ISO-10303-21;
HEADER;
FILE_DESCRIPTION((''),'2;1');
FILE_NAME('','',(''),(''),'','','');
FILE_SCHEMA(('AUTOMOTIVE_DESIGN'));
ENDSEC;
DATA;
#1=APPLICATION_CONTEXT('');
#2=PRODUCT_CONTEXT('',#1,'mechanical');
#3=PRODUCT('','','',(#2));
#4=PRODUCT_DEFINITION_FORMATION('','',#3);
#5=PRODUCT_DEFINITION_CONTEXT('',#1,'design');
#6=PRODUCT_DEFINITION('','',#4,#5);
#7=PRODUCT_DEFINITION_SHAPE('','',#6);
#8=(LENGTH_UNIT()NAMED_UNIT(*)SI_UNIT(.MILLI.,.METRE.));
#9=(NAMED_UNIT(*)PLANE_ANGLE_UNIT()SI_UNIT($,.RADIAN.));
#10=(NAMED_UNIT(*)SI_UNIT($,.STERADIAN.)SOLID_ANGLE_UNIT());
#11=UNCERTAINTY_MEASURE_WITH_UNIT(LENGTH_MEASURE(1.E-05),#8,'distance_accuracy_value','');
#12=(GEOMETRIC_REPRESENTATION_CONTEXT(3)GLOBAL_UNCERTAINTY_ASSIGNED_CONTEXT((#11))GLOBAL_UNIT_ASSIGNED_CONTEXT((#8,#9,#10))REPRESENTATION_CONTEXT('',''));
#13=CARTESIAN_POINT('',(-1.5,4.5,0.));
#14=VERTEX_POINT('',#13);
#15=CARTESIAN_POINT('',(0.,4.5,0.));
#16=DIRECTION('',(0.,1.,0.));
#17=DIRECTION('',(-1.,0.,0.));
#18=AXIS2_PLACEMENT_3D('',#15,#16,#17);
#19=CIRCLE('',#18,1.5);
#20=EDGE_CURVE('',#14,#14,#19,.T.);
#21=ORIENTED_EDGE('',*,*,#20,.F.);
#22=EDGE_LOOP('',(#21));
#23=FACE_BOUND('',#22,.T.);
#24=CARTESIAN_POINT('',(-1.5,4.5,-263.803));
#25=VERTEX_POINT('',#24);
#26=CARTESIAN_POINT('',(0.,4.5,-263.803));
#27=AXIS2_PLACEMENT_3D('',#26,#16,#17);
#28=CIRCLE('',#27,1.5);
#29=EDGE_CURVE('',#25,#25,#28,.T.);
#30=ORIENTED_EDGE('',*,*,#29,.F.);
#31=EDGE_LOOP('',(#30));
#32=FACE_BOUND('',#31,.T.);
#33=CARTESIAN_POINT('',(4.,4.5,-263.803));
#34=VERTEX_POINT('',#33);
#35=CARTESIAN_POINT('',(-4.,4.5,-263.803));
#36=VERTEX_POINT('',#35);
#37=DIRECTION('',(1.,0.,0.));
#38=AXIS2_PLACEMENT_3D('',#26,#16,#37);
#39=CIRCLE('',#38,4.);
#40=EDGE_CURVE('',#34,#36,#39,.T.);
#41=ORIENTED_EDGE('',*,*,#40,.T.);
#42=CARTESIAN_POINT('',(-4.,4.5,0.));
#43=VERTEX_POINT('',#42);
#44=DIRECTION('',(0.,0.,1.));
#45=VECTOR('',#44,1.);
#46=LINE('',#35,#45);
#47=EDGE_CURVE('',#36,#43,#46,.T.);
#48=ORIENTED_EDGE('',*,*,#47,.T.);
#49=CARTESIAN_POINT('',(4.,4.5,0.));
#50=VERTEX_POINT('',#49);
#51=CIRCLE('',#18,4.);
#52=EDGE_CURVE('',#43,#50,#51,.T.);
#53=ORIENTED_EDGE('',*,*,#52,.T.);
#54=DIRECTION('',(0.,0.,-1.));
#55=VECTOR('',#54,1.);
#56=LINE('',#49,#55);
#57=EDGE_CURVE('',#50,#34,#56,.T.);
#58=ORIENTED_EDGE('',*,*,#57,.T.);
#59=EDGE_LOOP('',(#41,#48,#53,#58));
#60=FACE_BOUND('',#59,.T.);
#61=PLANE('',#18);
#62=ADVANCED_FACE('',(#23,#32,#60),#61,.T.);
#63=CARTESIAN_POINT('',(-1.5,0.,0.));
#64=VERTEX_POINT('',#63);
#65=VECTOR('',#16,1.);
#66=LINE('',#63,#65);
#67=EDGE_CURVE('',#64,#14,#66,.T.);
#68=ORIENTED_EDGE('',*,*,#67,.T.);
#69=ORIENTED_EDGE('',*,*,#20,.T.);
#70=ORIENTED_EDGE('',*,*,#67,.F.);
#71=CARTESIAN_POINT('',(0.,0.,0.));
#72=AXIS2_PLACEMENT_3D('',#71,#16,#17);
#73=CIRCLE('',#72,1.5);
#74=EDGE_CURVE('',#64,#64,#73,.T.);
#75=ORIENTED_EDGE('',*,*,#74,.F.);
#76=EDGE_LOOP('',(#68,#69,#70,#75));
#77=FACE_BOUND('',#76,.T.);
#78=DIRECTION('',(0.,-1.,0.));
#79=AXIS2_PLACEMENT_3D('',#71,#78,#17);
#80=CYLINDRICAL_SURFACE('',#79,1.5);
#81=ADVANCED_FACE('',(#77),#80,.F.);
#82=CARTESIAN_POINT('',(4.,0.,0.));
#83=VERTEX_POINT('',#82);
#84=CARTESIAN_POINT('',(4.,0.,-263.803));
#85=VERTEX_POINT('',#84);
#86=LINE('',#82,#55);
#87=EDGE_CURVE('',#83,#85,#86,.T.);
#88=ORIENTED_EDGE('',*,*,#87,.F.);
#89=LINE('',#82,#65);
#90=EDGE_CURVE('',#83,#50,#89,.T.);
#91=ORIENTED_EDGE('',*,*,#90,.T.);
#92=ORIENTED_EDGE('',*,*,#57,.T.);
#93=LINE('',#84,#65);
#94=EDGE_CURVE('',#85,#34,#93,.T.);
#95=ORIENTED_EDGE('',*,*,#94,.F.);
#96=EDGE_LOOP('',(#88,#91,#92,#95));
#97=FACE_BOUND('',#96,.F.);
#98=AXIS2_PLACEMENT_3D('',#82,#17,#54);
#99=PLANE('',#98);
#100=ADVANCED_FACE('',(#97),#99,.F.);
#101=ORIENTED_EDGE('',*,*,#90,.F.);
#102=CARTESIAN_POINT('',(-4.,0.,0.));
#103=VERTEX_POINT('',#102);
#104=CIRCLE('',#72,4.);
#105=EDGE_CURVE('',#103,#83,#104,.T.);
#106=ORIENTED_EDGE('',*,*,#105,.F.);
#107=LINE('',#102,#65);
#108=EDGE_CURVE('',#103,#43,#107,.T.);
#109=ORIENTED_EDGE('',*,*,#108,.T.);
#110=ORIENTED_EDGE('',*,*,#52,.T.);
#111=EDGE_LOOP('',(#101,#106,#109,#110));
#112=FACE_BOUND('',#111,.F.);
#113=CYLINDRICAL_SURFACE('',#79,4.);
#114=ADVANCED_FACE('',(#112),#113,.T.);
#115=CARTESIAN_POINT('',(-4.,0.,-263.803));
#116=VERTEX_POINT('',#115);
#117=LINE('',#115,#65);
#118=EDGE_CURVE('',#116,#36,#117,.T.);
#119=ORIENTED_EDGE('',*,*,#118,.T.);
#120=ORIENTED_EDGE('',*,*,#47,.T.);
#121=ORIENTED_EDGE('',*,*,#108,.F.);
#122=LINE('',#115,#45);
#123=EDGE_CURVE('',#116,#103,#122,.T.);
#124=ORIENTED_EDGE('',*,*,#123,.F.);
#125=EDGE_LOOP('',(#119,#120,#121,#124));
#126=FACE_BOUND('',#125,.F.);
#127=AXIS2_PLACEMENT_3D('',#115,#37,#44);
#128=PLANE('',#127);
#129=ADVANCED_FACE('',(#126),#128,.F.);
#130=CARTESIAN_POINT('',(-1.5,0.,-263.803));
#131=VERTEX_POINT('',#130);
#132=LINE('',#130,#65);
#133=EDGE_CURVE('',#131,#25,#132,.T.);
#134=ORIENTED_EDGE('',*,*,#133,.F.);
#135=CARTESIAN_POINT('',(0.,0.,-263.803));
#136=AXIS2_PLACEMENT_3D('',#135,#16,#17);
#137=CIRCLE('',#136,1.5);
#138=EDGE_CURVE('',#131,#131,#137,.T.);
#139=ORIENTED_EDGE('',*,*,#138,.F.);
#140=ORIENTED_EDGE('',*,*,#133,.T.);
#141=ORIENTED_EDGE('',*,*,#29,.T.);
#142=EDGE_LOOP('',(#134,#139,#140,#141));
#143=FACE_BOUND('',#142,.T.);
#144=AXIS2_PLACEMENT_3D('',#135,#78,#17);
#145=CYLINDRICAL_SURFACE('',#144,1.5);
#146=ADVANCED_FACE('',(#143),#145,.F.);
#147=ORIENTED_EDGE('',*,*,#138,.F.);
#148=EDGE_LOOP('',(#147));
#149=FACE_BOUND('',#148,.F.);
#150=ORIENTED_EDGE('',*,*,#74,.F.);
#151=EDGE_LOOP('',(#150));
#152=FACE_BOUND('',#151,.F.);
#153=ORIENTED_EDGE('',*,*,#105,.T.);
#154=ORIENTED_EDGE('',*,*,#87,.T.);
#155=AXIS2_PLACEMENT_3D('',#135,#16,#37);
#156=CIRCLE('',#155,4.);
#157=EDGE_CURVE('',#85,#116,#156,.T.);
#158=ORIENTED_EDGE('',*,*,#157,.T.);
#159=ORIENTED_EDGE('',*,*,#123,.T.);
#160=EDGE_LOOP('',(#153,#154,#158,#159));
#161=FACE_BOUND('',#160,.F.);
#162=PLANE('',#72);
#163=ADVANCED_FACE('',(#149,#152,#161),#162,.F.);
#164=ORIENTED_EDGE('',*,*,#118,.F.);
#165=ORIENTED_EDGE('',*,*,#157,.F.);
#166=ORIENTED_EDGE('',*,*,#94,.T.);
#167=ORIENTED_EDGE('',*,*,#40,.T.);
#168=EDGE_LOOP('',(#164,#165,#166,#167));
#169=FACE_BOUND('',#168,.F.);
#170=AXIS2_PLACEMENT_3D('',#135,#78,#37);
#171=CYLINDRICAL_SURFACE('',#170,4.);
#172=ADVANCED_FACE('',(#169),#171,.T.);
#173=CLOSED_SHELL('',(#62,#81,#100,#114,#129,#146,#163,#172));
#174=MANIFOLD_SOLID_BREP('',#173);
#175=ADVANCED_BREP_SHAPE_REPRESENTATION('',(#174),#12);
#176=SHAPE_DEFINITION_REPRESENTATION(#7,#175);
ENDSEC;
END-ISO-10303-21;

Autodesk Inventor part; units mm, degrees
ref_plane "YZ Plane" through (0, 0, 0) normal (1, 0, 0) x (0, 1, 0)
ref_plane "XZ Plane" through (0, 0, 0) normal (0, 1, 0) x (-1, 0, 0)
ref_plane "XY Plane" through (0, 0, 0) normal (0, 0, 1) x (1, 0, 0)
sketch "Sketch1" plane through (0, 0, 0) normal (0, 1, 0) x (-1, 0, 0)
  line L0 (0, 0) -> (0, -263.803) construction
  line L1 (-4, 0) -> (-4, -263.803)
  line L2 (4, -263.803) -> (4, 0)
  arc A0 (4, 0) -> (-4, 0) centre (0, 0) ccw
  arc A1 (-4, -263.803) -> (4, -263.803) centre (0, -263.803) ccw
  circle A2 centre (0, 0) radius 1.5
  circle A3 centre (0, -263.803) radius 1.5
  point P0 (0, -131.9015)
  dimension "d0" = 263.803
  dimension "d1" = 8
  dimension "d2" = 3
  dimension "d3" = 3
extrude "Extrusion1" add sketch "Sketch1" along normal blind 4.5
sketch "Sketch2" plane through (0, 4.5, 0) normal (0, 1, 0) x (1, 0, 0)
  arc A0 (4, 263.803) -> (-4, 263.803) centre (0, 263.803) ccw projected
  line L0 (-4, 263.803) -> (-4, 0) projected
  arc A1 (-4, 0) -> (4, 0) centre (0, 0) ccw projected
  line L1 (4, 0) -> (4, 263.803) projected
  circle A2 centre (0, 263.803) radius 1.5 projected
  circle A3 centre (0, 0) radius 1.5 projected
properties part number "Wing_arm_3"
